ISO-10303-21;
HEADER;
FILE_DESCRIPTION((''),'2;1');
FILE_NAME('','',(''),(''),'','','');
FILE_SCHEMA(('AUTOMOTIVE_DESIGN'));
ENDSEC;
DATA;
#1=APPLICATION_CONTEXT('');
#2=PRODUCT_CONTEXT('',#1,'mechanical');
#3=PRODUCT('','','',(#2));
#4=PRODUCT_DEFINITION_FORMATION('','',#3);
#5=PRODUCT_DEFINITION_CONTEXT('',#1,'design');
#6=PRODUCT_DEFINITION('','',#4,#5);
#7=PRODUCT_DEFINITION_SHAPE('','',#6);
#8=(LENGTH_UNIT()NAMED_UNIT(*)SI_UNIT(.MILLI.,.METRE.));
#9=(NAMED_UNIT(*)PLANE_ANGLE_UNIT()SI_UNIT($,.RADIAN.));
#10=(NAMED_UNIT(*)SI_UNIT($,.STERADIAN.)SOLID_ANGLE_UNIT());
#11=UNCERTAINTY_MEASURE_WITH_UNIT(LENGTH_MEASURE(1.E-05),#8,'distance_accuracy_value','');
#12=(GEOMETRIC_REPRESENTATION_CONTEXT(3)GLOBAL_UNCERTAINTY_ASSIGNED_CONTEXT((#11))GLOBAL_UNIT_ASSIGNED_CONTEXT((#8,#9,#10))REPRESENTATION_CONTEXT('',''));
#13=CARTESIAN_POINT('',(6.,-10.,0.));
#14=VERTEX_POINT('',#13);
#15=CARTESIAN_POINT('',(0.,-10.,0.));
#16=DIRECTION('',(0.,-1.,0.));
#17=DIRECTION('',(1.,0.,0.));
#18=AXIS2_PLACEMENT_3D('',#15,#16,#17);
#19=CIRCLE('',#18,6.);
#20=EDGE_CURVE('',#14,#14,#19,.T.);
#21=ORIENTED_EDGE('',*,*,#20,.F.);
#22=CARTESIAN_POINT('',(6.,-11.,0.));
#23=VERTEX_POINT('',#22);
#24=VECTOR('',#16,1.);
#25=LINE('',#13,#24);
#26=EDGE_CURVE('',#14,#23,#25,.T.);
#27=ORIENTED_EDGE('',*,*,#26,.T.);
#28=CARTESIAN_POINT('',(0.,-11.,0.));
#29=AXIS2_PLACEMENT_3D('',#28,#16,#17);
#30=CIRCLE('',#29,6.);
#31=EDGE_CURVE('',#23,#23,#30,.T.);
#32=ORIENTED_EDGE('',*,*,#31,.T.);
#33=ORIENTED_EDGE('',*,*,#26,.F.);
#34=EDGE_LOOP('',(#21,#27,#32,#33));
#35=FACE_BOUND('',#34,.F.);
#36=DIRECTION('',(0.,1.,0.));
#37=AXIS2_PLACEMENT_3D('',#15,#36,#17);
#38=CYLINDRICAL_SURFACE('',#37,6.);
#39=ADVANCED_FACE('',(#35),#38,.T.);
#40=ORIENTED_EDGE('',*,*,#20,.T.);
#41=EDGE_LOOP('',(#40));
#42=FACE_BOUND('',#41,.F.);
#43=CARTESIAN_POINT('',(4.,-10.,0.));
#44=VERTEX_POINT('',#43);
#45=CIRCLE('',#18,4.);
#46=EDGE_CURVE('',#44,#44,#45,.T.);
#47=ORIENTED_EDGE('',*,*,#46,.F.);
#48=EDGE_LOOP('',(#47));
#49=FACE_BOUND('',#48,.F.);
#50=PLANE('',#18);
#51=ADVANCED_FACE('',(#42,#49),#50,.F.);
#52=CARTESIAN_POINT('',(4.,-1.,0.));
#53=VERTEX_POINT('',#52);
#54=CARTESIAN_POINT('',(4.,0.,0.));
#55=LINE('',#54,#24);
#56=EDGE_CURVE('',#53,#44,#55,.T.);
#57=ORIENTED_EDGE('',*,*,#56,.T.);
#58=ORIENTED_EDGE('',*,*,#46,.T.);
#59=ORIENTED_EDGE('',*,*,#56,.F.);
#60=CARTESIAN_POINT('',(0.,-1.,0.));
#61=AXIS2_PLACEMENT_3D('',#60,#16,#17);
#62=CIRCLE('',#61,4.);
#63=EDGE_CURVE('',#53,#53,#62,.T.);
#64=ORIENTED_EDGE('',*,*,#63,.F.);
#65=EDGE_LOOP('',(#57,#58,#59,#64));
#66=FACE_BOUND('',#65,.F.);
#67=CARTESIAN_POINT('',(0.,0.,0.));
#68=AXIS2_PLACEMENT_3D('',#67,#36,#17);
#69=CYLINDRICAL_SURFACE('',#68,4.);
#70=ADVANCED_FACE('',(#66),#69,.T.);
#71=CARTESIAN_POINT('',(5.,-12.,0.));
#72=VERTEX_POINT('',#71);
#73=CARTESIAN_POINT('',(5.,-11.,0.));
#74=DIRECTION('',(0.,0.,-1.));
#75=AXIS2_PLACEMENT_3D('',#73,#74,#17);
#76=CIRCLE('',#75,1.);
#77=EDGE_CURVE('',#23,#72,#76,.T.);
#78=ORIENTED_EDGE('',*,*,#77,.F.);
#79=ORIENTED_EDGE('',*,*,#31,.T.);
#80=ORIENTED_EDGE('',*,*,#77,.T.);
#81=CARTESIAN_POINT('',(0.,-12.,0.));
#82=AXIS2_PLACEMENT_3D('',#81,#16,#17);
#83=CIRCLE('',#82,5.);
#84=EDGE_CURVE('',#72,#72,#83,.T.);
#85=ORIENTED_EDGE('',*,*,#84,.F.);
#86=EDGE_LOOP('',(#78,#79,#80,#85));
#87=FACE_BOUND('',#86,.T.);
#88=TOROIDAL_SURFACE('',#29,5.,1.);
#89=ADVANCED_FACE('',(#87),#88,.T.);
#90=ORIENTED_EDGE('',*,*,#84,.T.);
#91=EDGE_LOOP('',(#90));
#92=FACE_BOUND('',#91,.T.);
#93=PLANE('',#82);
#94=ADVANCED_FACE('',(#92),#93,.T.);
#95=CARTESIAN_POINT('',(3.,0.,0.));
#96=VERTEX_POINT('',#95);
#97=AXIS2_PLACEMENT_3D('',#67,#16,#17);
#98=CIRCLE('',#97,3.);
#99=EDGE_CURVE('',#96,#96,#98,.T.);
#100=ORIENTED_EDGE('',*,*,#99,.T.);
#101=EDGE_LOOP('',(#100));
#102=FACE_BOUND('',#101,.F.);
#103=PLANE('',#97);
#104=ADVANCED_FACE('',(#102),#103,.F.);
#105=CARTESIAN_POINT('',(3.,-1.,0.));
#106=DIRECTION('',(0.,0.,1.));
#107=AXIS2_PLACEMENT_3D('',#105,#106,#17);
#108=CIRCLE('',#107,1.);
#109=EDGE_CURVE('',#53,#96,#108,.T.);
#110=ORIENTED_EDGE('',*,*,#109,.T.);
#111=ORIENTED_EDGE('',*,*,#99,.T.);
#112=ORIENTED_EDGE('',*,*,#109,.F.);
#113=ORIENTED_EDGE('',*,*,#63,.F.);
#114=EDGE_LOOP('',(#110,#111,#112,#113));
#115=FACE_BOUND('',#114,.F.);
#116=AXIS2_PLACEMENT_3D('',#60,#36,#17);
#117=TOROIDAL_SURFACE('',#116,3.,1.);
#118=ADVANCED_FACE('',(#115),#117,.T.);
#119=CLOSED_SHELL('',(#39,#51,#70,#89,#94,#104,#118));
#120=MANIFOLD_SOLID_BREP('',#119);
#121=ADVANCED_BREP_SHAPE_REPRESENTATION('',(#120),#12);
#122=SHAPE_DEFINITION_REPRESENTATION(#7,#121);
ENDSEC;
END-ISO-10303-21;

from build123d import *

# Parameters (mm, degrees)
F0_R     = 4
F1_DEPTH = 10
F2_R     = 6
F3_DEPTH = 2
F4_R     = 1


with BuildPart() as f1:
    # F0 (on Front) → F1 (new body)
    with BuildSketch(Plane.XZ):
        Circle(F0_R)
    extrude(amount=F1_DEPTH)

    # F2 (on face) → F3 (join)
    with BuildSketch(Plane.XZ.offset(10)):
        Circle(F2_R)
    extrude(amount=F3_DEPTH)

    # F4
    f4_edges = [f1.edges().sort_by_distance(p)[0] for p in [
        (-4, 0, 0),
        (-6, -12, 0),
    ]]
    fillet(f4_edges, radius=F4_R)


solid = f1.part
